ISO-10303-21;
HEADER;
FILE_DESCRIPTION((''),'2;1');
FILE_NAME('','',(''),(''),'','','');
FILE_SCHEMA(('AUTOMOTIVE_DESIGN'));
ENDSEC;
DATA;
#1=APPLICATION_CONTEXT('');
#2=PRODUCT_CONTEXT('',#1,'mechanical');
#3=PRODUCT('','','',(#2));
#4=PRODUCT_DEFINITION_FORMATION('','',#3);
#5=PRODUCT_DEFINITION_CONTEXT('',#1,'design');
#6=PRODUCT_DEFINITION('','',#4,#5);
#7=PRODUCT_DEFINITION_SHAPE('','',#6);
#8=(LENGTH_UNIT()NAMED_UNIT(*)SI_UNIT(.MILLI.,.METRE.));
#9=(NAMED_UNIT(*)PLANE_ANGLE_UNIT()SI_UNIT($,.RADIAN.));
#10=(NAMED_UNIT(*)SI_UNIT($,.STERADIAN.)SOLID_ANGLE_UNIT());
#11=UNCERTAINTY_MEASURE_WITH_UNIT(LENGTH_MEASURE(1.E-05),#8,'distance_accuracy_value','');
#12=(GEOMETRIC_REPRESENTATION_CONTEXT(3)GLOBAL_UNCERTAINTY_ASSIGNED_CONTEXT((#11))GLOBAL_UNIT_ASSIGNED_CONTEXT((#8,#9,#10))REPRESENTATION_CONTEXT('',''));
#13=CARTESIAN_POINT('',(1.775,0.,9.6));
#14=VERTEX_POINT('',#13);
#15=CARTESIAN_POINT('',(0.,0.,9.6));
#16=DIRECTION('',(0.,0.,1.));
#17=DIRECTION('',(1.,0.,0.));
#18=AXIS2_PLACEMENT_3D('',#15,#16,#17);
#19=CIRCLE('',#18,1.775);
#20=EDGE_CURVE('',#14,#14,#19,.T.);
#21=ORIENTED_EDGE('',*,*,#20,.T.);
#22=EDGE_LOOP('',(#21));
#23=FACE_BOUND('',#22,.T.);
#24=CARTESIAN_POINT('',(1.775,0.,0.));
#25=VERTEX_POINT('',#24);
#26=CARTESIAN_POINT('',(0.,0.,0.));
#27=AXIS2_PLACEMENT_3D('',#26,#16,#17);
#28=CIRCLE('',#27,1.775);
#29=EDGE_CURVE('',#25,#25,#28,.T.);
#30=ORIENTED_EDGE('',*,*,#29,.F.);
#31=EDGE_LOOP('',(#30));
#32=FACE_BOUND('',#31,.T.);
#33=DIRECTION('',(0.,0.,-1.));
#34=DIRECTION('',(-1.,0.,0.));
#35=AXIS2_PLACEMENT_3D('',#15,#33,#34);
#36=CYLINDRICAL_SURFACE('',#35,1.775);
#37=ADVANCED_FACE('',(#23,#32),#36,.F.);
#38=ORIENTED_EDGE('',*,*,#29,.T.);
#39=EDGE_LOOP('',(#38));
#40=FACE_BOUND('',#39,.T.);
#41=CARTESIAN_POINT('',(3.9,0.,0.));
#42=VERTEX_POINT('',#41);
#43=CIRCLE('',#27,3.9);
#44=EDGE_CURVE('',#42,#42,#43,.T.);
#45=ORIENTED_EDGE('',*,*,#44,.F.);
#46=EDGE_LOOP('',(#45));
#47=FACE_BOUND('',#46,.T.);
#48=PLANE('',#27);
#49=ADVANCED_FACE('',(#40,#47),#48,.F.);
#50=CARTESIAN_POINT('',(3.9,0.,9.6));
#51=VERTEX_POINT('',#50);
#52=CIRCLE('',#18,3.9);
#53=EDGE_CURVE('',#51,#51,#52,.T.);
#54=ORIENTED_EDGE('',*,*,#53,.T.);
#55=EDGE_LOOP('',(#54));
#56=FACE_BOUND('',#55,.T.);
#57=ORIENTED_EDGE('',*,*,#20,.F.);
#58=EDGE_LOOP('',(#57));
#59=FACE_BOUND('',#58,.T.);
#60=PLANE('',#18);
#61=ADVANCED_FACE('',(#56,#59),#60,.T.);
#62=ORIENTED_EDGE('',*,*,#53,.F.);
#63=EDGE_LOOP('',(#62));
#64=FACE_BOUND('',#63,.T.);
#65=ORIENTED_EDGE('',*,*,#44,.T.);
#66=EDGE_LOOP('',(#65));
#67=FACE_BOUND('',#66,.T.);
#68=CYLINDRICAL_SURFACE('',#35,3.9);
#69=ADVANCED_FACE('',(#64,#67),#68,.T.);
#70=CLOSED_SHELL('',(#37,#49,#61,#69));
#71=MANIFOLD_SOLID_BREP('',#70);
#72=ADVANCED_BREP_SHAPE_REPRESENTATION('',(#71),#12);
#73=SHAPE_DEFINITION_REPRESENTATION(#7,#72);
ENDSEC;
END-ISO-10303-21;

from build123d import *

# Parameters (mm, degrees)
IZIM1_R                     = 3.9
IZIM1_R_2                   = 1.775
Y_KSEKLIK_EKSTR_ZYON1_DEPTH = 9.6


with BuildPart() as part:
    # Çizim1 → Yükseklik-Ekstrüzyon1 (new body)
    with BuildSketch(Plane.XY):
        Circle(IZIM1_R)
        Circle(IZIM1_R_2, mode=Mode.SUBTRACT)
    extrude(amount=Y_KSEKLIK_EKSTR_ZYON1_DEPTH)


solid = part.part
